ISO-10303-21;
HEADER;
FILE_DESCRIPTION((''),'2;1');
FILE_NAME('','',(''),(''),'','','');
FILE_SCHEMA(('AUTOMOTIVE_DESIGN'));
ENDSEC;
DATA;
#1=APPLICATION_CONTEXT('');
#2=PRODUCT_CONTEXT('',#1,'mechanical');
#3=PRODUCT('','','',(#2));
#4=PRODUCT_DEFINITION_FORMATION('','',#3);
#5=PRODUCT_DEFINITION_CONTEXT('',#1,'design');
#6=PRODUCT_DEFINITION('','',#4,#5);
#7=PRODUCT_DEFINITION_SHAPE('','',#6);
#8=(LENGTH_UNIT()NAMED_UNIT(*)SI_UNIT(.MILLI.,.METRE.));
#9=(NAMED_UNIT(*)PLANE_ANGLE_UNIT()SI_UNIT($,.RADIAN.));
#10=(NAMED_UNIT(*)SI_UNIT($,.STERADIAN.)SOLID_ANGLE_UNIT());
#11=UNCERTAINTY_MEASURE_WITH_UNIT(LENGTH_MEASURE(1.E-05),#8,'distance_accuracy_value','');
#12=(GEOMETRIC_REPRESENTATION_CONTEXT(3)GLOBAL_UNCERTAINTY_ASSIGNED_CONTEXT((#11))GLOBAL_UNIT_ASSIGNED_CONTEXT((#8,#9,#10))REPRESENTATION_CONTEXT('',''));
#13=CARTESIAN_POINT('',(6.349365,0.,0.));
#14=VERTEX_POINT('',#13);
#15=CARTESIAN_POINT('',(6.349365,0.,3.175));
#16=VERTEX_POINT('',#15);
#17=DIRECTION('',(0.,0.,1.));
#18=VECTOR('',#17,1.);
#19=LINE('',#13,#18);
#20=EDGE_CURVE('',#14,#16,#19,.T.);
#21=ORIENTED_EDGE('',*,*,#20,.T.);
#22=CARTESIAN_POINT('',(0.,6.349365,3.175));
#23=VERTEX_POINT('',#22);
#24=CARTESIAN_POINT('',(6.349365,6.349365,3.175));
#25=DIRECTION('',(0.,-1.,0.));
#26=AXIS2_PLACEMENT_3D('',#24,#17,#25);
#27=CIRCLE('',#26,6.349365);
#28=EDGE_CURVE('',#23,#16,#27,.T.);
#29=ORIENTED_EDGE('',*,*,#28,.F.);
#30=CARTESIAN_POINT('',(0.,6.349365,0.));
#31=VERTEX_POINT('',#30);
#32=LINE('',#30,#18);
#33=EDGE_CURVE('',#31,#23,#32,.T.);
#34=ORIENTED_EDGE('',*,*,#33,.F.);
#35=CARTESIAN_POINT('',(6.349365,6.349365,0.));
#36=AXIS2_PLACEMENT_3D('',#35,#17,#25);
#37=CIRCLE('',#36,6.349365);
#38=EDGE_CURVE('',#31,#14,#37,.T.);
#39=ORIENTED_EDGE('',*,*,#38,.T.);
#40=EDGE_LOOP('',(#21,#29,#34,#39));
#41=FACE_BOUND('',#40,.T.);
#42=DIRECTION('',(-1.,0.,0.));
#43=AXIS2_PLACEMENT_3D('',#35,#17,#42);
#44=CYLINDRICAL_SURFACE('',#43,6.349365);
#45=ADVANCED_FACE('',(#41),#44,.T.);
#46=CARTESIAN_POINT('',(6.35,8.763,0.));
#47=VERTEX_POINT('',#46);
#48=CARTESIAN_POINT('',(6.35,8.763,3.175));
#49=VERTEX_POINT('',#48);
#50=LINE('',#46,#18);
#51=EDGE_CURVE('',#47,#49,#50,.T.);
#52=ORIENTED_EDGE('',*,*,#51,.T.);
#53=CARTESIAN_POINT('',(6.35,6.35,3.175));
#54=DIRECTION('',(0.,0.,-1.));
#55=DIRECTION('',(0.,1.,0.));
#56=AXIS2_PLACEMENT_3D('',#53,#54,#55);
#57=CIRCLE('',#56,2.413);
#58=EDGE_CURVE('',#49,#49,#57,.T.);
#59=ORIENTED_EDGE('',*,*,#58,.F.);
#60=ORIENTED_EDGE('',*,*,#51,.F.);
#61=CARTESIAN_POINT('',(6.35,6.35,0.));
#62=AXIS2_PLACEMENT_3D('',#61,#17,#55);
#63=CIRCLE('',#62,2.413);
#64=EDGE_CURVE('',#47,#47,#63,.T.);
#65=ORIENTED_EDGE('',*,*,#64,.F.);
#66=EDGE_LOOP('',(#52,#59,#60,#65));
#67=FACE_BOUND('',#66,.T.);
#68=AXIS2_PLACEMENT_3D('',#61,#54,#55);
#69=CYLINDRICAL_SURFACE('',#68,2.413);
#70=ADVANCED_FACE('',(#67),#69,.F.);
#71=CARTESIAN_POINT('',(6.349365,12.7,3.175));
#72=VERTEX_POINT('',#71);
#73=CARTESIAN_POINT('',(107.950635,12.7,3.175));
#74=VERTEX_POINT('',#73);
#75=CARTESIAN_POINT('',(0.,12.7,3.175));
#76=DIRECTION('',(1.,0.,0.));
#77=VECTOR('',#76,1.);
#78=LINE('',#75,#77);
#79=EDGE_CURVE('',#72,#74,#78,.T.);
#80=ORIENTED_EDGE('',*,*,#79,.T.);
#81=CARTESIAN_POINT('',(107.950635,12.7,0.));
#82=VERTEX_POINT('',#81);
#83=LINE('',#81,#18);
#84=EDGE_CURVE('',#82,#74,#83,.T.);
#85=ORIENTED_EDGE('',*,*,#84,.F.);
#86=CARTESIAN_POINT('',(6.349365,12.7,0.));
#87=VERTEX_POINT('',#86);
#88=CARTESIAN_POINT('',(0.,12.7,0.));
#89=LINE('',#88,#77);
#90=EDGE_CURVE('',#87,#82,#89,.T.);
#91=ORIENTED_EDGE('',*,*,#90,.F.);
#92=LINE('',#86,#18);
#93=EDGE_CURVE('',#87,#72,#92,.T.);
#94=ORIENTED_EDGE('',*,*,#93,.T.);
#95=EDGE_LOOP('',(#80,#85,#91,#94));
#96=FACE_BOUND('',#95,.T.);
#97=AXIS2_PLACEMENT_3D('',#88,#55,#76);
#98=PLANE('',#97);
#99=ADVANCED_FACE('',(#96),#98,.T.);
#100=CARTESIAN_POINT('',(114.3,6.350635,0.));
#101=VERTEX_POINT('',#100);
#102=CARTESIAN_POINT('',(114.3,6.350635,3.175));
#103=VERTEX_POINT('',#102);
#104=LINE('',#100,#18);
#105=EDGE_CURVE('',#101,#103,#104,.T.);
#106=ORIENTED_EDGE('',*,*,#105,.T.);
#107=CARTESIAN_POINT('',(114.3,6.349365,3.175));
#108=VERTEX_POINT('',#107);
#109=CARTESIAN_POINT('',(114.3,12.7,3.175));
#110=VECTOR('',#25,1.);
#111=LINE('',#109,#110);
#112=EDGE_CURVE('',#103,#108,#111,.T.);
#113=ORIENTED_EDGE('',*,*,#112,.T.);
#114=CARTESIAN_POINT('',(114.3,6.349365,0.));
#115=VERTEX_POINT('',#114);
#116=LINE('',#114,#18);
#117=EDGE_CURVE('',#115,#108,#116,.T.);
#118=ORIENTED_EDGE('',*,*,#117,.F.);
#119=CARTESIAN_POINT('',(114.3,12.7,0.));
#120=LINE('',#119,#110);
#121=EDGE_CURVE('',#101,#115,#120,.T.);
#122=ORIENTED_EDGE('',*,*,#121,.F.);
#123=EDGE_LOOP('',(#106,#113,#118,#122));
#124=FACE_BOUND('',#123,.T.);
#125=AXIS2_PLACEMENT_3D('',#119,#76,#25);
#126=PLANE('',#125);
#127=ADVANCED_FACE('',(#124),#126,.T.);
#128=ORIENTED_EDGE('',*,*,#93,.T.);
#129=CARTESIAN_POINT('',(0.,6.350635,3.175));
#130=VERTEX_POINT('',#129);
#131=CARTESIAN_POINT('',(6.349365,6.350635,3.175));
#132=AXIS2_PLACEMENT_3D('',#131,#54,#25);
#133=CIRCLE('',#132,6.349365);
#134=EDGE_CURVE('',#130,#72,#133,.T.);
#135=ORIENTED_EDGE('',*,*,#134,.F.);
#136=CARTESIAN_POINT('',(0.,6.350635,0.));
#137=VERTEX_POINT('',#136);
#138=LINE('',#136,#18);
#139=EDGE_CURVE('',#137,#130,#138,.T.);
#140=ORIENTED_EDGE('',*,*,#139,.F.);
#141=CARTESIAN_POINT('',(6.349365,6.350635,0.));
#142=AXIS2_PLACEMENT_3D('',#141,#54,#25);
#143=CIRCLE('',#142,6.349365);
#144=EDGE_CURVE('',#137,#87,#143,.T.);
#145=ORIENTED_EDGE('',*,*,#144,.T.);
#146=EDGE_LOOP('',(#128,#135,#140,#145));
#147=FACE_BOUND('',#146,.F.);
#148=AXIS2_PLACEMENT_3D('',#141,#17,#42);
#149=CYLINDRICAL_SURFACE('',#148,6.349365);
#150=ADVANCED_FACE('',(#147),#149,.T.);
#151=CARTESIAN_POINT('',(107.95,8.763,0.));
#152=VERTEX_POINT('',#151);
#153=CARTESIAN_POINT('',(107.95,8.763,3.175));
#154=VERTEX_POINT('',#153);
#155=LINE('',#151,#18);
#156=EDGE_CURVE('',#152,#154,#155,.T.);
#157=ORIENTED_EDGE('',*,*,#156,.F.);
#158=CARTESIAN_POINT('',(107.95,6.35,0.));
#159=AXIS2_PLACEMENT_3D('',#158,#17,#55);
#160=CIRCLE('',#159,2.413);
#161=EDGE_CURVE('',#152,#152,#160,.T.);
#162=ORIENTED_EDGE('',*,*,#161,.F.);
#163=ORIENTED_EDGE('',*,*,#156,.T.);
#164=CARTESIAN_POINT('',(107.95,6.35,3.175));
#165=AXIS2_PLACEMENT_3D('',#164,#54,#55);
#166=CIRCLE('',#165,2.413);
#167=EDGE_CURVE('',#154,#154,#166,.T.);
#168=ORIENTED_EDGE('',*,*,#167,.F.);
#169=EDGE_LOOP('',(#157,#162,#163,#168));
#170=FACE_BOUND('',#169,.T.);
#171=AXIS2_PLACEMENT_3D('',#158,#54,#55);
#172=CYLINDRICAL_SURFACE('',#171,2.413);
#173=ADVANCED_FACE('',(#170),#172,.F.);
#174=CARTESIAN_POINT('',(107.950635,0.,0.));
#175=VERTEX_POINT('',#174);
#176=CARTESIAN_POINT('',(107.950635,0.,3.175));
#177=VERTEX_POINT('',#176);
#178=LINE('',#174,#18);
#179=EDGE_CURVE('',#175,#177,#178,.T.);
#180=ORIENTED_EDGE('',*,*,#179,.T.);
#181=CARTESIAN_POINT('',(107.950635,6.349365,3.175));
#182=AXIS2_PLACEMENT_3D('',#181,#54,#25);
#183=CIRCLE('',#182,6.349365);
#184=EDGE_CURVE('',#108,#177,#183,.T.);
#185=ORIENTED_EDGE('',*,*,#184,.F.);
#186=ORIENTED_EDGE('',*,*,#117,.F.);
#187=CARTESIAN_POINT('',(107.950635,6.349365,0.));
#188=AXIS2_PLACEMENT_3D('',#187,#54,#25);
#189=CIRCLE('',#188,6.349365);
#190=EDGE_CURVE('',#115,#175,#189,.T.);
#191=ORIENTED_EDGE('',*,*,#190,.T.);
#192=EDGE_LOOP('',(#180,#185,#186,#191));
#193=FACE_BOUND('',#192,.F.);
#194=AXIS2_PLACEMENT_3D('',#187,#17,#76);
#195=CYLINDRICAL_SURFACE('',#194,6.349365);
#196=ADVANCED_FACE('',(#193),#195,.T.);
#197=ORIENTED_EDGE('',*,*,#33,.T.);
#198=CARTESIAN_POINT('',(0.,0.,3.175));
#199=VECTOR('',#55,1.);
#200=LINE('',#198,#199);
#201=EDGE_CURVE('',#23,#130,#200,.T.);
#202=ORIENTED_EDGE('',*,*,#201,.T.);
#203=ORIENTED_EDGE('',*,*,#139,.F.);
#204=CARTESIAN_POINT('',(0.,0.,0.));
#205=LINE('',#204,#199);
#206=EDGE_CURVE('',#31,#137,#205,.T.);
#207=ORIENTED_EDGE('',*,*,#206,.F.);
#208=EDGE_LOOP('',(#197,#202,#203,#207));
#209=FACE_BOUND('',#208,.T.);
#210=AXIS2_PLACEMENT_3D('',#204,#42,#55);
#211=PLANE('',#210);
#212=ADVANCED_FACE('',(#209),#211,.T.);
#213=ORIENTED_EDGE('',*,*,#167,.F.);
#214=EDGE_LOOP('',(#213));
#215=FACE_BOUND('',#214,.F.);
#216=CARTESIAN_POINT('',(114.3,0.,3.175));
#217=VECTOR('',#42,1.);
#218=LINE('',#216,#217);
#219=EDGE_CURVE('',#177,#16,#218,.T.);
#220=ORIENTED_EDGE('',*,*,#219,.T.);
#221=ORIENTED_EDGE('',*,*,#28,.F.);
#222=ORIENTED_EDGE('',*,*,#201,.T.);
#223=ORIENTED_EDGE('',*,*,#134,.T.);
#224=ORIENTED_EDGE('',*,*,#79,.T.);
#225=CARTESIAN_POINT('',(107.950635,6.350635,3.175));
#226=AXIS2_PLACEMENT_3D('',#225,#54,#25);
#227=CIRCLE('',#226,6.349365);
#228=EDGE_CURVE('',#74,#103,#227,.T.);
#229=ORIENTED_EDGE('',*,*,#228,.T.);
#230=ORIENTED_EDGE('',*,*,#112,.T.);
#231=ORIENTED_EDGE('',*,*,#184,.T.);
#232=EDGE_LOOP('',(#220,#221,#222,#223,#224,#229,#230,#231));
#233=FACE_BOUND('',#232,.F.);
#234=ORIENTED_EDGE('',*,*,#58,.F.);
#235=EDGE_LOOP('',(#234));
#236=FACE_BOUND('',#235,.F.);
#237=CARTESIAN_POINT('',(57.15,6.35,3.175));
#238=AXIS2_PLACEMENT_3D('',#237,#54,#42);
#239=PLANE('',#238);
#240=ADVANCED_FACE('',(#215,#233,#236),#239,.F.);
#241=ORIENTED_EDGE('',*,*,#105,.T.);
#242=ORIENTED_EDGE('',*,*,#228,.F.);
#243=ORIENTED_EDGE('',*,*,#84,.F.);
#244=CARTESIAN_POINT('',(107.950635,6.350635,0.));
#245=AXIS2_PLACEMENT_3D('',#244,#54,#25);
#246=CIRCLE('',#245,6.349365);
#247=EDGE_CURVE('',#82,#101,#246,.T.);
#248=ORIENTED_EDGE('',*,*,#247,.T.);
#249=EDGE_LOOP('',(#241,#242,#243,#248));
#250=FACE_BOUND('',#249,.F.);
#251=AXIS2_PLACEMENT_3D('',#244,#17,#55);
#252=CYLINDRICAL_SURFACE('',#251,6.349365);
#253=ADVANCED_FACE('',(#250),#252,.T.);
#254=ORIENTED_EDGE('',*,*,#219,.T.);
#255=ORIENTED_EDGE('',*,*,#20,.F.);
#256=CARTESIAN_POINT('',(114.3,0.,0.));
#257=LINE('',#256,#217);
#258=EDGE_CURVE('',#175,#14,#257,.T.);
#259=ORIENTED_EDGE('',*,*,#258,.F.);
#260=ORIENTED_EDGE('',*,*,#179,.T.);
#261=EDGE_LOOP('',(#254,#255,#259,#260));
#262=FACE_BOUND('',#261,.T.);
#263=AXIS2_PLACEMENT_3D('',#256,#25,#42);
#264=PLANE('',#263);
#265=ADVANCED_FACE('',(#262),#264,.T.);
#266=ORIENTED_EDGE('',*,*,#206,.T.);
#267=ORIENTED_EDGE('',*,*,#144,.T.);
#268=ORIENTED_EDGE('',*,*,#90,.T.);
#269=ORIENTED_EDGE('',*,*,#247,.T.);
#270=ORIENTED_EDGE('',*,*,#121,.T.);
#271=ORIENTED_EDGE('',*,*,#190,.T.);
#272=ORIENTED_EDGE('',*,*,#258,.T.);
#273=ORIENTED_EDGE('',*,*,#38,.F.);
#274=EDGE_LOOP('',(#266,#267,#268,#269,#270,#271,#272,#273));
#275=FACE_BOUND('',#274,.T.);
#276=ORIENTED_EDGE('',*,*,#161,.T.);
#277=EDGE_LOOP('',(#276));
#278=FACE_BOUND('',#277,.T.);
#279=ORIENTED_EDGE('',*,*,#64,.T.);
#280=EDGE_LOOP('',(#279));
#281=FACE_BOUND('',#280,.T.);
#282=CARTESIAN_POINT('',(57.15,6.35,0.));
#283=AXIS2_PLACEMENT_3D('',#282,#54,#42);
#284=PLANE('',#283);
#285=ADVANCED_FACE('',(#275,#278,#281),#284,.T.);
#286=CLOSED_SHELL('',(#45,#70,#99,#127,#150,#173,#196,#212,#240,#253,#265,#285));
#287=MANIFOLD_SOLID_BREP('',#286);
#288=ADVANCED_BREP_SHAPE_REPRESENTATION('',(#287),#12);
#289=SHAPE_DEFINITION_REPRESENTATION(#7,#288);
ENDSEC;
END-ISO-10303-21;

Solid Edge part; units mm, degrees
sketch "Sketch1" plane through (0, 0, 0) normal (0, 0, 1) x (1, 0, 0)
  line L0 (0, 0) -> (0, 12.7)
  line L1 (0, 12.7) -> (114.3, 12.7)
  line L2 (114.3, 12.7) -> (114.3, 0)
  line L3 (114.3, 0) -> (0, 0)
  dimension "D1" = 12.7
  dimension "D2" = 114.3
extrude "Protrusion1" add sketch "Sketch1" along normal blind 3.175
fillet "Round_1" radius 6.35 4 edges at (0, 12.7, 1.5875) (0, 0, 1.5875) (114.3, 0, 1.5875) (114.3, 12.7, 1.5875)
hole "Hole_1" at (6.35, 6.35, 0) direction (0, 0, 1) diameter 4.826 end through all
hole "Hole1" at (107.95, 6.35, 0) direction (0, 0, 1) diameter 4.826 end through all
properties part number "SR-06" material "Aluminum, 6061-T6"
